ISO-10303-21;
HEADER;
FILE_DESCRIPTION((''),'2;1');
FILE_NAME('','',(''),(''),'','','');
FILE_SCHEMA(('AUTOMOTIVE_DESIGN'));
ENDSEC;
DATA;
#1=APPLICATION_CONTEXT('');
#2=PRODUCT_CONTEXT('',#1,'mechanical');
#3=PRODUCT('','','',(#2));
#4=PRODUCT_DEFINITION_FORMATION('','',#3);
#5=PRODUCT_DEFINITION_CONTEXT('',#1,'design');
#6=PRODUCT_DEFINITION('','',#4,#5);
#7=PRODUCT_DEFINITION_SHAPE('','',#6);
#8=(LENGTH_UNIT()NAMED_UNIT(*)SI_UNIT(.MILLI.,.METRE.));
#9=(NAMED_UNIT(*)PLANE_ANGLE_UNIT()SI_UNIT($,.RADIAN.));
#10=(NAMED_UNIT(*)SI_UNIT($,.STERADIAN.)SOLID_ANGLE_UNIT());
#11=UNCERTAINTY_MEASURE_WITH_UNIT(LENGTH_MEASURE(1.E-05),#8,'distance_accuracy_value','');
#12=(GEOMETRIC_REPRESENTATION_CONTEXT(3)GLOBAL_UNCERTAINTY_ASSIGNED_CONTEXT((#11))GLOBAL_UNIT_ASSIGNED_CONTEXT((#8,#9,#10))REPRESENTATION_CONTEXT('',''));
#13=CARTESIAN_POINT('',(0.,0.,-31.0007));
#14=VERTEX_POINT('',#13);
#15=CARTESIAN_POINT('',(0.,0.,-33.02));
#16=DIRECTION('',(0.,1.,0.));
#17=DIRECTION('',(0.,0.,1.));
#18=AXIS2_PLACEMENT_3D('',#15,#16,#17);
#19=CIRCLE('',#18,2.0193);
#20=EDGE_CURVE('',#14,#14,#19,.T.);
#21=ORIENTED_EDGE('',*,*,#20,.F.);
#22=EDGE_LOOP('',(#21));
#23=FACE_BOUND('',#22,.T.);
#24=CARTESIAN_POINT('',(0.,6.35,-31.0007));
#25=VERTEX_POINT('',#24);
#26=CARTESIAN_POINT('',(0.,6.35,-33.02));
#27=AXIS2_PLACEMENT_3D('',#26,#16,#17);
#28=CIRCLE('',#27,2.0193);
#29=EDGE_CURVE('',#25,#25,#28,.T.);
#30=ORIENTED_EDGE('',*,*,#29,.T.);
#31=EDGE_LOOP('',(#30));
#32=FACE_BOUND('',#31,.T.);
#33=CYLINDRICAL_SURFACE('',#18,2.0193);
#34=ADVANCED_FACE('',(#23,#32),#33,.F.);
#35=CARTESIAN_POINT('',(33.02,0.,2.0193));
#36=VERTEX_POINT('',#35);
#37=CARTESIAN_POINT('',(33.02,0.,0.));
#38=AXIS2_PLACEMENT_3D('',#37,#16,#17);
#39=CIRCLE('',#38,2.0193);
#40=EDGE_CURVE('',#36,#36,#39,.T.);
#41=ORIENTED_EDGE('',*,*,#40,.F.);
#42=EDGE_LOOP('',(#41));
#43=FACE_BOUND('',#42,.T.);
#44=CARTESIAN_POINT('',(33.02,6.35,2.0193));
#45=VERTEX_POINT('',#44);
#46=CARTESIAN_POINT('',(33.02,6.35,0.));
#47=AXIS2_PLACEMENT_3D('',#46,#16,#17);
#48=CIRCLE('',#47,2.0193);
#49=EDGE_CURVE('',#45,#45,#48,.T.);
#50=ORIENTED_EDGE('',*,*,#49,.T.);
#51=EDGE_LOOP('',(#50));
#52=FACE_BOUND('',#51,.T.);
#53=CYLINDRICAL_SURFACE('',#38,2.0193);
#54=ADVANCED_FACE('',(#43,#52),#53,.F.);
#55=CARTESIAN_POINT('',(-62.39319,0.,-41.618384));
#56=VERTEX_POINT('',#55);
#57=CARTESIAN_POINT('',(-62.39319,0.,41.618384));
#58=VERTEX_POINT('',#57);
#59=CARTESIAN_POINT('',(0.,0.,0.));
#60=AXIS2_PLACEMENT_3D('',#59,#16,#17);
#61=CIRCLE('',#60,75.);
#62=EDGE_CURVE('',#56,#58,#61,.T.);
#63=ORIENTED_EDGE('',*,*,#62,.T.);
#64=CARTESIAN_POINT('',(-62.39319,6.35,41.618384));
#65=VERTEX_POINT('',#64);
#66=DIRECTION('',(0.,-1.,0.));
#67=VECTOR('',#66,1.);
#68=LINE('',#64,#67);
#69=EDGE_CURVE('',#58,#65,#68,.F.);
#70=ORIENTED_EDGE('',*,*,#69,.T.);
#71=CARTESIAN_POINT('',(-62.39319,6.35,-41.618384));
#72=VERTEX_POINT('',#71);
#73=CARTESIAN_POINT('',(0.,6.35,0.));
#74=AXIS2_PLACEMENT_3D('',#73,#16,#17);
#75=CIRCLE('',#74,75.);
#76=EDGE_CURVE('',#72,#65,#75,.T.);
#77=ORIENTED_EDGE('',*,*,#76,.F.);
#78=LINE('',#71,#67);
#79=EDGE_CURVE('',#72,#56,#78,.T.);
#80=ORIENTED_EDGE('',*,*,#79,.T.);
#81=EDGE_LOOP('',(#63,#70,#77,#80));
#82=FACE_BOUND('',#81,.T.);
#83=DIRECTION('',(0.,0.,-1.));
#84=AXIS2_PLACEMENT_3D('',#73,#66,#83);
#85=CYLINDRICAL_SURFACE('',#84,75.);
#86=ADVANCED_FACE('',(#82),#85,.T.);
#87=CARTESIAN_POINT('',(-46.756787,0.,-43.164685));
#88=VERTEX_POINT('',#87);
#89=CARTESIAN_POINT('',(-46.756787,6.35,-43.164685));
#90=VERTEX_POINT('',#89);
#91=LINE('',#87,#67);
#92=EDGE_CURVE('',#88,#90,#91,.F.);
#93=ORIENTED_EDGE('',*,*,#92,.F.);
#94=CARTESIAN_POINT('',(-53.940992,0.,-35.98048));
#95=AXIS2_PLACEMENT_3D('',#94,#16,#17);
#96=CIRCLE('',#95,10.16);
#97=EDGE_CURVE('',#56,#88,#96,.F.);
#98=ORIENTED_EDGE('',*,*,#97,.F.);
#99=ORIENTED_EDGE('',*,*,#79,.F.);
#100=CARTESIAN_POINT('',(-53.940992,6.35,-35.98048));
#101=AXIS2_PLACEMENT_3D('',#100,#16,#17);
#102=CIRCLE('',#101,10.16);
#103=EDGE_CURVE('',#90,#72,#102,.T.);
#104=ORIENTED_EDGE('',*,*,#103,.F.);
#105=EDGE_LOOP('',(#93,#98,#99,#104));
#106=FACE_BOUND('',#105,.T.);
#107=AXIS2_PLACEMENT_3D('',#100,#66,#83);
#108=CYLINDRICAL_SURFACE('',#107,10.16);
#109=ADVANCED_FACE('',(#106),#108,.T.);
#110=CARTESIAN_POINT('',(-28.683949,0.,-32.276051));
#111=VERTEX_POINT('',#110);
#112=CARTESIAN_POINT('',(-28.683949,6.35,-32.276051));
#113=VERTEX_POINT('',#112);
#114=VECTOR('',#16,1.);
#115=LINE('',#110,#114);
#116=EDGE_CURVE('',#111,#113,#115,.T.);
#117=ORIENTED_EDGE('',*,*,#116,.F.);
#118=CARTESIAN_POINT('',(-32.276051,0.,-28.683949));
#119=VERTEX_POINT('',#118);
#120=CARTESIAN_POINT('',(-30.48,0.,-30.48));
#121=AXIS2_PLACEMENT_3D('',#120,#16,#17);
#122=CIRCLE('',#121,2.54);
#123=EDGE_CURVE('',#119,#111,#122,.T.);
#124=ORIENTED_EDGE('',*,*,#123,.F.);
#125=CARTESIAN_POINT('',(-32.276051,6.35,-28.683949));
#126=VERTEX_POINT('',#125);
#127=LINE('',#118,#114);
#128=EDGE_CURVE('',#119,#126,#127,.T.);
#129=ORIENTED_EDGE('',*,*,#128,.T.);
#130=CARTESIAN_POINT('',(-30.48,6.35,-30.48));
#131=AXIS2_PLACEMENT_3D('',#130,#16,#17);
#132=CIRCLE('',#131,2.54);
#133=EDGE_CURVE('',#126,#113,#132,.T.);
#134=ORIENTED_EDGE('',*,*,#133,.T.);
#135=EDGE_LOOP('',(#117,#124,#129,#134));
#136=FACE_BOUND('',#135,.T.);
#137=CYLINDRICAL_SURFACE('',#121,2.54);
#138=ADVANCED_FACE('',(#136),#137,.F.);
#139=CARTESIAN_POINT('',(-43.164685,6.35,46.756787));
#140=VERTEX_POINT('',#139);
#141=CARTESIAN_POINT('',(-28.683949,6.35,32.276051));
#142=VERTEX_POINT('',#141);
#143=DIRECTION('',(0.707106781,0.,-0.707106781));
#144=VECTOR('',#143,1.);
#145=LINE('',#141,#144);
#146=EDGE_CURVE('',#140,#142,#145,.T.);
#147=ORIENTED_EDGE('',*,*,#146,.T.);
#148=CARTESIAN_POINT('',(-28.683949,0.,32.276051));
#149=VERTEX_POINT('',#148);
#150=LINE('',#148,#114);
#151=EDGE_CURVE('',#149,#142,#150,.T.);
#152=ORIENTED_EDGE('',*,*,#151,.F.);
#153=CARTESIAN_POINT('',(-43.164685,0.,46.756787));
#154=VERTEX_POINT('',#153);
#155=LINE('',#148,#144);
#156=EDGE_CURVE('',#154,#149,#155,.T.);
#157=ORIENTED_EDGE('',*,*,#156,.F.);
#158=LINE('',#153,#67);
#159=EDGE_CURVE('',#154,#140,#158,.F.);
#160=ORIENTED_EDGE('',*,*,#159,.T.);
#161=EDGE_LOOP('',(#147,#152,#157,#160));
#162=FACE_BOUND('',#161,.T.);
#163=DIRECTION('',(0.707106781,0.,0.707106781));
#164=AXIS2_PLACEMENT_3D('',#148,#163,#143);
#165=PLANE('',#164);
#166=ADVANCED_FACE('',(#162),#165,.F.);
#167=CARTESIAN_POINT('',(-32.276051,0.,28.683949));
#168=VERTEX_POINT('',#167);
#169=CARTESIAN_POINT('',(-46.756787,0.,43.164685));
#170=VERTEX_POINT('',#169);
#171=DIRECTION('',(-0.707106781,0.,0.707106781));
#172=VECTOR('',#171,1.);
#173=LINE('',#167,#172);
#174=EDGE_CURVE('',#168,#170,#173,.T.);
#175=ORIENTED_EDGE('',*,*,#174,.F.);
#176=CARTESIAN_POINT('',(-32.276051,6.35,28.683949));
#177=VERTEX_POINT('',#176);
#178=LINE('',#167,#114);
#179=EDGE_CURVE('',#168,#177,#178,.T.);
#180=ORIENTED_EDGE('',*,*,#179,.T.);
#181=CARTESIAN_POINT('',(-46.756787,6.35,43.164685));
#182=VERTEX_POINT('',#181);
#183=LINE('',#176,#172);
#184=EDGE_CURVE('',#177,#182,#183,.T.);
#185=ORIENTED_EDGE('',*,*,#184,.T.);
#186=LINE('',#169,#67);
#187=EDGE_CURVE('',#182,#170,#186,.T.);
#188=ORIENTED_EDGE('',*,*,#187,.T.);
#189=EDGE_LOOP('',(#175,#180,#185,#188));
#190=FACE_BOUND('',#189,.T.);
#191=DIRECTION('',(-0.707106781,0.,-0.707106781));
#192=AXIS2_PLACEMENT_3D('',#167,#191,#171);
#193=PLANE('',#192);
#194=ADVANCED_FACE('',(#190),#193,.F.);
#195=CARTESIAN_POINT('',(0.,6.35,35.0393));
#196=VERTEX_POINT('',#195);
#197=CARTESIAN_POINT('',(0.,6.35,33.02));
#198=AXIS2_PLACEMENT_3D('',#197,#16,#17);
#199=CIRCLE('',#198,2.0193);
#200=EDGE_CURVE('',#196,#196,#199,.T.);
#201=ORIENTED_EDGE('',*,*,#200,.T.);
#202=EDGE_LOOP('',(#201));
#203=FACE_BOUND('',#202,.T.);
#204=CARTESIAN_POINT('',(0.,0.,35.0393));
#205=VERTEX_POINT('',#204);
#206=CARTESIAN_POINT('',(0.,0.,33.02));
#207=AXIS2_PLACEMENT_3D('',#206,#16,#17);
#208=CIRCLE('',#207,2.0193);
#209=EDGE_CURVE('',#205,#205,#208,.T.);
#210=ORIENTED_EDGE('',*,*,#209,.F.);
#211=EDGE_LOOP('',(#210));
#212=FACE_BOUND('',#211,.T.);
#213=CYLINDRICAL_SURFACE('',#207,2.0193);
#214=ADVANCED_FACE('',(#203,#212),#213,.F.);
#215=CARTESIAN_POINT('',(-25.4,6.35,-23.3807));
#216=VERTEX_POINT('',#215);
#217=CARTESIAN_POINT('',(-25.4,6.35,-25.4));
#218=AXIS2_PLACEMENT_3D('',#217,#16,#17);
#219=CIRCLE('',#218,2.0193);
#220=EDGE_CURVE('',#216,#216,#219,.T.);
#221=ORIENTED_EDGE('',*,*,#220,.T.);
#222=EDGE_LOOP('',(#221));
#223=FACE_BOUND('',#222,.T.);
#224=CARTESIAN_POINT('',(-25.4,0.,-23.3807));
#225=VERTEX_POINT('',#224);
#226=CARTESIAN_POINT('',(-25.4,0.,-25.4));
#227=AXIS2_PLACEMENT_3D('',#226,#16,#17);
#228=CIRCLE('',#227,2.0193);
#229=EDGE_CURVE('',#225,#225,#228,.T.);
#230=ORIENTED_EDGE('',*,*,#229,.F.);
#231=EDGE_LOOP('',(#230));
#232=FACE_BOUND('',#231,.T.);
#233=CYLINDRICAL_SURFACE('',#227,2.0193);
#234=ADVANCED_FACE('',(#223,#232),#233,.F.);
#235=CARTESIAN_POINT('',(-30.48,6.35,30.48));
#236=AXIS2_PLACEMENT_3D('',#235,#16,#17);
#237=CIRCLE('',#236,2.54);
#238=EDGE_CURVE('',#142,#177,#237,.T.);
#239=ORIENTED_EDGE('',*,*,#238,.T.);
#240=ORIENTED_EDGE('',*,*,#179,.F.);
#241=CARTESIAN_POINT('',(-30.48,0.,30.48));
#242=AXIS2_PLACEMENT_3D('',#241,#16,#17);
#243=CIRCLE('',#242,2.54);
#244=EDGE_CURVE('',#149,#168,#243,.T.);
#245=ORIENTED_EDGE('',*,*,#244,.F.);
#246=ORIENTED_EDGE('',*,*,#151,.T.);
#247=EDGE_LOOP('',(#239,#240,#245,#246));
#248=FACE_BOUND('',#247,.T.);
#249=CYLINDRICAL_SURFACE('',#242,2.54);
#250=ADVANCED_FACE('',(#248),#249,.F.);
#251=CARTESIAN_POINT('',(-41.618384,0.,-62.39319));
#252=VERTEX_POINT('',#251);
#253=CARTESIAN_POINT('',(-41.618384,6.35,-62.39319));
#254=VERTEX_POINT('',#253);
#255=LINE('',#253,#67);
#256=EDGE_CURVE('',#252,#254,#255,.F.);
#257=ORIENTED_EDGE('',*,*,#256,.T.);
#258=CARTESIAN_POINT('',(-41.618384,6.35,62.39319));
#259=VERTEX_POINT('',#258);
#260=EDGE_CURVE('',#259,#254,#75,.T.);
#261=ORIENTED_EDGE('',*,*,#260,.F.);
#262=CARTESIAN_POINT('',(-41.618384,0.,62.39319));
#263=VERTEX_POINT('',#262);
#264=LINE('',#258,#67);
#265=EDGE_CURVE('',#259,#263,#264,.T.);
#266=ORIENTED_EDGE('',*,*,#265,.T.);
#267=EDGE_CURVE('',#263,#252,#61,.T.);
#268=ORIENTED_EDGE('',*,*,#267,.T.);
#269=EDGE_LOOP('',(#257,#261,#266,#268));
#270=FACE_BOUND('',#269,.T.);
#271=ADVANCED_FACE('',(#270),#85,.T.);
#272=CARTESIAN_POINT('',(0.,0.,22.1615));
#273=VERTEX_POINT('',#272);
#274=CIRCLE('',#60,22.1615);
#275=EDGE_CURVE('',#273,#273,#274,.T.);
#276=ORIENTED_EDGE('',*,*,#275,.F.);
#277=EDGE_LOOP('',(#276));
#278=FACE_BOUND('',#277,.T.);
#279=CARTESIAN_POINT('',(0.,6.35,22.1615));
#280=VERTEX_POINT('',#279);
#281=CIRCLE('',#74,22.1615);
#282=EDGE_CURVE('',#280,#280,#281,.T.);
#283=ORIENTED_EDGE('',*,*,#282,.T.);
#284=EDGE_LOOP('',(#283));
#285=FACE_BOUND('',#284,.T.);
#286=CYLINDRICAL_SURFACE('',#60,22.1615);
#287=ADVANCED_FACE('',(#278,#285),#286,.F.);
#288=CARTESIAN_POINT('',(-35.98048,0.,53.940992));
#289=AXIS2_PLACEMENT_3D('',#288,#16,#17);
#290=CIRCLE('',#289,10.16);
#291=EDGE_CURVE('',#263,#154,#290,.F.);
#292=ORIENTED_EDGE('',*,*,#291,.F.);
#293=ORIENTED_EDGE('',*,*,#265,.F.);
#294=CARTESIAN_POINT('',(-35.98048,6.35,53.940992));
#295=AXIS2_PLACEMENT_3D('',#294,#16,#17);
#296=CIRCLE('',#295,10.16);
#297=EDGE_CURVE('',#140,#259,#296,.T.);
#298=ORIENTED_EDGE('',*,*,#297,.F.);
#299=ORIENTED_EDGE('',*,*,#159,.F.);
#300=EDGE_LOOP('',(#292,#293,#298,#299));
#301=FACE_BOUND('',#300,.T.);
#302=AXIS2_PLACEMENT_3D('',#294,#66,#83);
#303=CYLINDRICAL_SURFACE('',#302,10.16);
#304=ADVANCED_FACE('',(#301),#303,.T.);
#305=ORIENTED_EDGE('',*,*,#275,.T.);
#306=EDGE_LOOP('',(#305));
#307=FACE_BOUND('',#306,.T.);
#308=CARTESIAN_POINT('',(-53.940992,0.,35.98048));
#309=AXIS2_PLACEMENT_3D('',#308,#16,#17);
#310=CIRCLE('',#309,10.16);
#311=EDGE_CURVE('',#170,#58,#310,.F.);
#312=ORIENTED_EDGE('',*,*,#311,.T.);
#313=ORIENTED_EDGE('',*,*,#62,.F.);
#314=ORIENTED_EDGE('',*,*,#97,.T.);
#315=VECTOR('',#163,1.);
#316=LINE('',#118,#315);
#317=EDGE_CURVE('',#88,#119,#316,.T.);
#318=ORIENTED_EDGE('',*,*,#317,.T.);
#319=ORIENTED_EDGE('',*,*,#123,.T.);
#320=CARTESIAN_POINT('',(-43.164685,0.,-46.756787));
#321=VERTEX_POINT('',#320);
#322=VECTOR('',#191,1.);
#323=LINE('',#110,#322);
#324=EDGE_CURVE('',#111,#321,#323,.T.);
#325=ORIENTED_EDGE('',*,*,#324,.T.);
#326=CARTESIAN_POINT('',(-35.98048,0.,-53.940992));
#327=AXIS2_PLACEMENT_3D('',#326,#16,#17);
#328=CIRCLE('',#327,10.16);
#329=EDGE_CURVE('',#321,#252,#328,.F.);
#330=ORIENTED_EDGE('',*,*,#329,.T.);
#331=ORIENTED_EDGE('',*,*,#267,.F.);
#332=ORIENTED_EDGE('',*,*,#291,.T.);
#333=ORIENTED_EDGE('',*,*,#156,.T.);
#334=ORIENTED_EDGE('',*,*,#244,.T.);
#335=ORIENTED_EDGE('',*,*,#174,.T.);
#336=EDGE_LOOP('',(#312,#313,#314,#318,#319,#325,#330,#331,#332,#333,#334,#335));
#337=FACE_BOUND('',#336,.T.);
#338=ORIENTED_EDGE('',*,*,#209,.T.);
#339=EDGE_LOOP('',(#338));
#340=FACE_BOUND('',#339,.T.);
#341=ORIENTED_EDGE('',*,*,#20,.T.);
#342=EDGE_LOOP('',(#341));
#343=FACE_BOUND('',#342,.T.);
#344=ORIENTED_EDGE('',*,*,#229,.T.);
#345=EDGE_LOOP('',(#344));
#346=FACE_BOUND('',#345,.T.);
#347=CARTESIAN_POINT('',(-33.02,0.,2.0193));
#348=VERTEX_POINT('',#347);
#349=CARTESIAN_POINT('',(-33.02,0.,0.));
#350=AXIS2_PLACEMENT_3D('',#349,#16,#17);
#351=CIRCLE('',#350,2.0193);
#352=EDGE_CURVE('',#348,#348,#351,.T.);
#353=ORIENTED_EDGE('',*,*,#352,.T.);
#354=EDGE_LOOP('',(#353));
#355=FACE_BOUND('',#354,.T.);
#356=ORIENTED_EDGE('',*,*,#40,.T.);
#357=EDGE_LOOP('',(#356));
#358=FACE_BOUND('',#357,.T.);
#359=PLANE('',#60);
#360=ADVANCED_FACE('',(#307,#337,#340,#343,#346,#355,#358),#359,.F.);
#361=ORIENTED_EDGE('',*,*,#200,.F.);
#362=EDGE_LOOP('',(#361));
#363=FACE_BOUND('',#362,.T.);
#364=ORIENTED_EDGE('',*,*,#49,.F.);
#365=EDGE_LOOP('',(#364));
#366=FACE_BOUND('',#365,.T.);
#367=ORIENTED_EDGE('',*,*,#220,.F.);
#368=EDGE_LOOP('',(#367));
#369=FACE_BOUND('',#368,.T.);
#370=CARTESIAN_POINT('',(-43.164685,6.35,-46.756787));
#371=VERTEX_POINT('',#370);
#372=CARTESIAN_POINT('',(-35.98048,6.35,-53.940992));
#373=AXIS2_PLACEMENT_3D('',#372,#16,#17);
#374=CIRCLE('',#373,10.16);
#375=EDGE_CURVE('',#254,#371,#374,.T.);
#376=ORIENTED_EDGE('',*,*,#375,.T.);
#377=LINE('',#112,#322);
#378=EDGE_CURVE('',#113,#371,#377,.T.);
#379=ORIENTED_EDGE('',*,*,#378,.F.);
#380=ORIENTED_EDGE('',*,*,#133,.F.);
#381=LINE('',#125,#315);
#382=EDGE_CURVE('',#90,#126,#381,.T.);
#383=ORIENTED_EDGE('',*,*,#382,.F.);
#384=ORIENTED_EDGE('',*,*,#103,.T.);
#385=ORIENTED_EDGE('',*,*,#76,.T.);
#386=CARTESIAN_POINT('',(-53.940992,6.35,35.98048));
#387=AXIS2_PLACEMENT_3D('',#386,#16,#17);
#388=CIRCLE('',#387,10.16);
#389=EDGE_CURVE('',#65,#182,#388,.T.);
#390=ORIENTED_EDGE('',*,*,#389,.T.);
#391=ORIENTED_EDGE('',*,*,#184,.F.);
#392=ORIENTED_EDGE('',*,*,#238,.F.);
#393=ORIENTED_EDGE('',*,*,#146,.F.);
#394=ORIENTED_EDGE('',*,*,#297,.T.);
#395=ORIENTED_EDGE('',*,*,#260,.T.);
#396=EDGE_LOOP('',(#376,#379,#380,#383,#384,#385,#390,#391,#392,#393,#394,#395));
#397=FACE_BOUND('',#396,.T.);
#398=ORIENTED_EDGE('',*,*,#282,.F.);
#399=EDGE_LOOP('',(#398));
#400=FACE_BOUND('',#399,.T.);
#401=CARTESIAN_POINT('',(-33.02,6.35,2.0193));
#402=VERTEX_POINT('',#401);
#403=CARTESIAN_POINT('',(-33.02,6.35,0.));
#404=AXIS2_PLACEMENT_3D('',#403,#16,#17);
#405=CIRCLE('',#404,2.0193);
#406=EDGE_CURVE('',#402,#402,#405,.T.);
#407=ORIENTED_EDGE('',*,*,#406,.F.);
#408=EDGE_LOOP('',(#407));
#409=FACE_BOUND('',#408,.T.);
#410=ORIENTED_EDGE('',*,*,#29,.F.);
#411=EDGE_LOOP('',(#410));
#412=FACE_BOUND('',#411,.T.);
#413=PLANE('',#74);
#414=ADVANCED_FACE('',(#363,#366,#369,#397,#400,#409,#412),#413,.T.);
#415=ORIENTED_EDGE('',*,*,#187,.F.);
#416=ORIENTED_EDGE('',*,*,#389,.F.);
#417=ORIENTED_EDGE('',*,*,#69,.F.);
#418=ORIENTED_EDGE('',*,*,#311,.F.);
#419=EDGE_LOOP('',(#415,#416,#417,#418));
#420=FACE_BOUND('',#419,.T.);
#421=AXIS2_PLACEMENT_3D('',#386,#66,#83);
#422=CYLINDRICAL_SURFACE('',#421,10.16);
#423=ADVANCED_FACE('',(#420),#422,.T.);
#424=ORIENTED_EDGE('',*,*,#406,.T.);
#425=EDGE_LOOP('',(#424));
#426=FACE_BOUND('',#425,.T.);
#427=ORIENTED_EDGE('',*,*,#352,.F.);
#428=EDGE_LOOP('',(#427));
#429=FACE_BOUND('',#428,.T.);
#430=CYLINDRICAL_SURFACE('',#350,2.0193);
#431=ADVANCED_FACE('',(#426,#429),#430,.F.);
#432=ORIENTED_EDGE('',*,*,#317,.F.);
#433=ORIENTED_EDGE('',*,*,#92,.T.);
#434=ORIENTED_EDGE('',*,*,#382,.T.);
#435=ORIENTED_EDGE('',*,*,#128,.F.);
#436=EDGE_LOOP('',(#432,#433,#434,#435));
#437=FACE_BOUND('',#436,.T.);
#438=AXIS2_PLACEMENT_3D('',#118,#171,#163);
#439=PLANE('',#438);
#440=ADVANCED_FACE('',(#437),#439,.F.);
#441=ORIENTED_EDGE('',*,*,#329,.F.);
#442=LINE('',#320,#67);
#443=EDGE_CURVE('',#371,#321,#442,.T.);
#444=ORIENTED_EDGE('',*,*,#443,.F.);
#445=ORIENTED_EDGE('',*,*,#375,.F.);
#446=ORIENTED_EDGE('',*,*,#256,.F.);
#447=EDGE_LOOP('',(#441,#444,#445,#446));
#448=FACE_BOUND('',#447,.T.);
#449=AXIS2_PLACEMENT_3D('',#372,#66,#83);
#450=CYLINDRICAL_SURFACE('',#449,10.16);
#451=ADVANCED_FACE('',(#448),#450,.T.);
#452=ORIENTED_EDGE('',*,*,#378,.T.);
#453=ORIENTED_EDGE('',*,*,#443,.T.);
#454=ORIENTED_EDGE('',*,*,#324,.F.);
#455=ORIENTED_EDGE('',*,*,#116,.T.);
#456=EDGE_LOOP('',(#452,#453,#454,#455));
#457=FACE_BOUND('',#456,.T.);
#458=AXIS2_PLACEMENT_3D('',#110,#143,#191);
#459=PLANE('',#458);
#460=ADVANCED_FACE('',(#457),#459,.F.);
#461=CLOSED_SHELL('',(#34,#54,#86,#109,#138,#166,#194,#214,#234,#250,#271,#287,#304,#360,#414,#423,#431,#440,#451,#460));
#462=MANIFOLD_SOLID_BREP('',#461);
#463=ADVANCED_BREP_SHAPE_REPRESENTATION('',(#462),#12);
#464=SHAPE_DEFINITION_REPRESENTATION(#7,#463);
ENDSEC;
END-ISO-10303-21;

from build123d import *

# Parameters (mm, degrees)
SKETCH1_R           = 75
BOSS_EXTRUDE1_DEPTH = 6.35
SKETCH45_R          = 22.1615
SKETCH45_R_2        = 2.0193
CUT_EXTRUDE36_DEPTH = 107.255929246
FILLET2_R           = 10.16


with BuildPart() as part:
    # Sketch1 → Boss-Extrude1 (new body)
    with BuildSketch(Plane(origin=(0, 0, 0), x_dir=(1, 0, 0), z_dir=(0, 1, 0))):
        with Locations(Location((0, 0, 0), (0, 0, 270))):
            Circle(SKETCH1_R)
    extrude(amount=BOSS_EXTRUDE1_DEPTH)

    # Sketch45 → Cut-Extrude36 (cut, through all)
    with BuildSketch(Plane(origin=(0, 6.35, 0), x_dir=(1, 0, 0), z_dir=(0, 1, 0))):
        with Locations(Location((0, 0, 0), (0, 0, 270))):
            Circle(SKETCH45_R)
        with Locations(Location((0, 33.02, 0), (0, 0, 270))):
            Circle(SKETCH45_R_2)
        with Locations(Location((-33.02, 0, 0), (0, 0, 270))):
            Circle(SKETCH45_R_2)
        with Locations(Location((0, -33.02, 0), (0, 0, 270))):
            Circle(SKETCH45_R_2)
        with Locations(Location((33.02, 0, 0), (0, 0, 270))):
            Circle(SKETCH45_R_2)
        with Locations(Location((-25.4, 25.4, 0), (0, 0, 270))):
            Circle(SKETCH45_R_2)
        with BuildLine():
            Line((-32.276051224, 28.683948776), (-54.798637954, 51.206535505))
            ThreePointArc((-54.798637954, 51.206535505), (-54.798637954, 54.798637954), (-51.206535505, 54.798637954))
            Line((-51.206535505, 54.798637954), (-28.683948776, 32.276051224))
            ThreePointArc((-28.683948776, 32.276051224), (-28.683948776, 28.683948776), (-32.276051224, 28.683948776))
        make_face()
        with BuildLine():
            Line((-28.683948776, -32.276051224), (-51.206535505, -54.798637954))
            ThreePointArc((-51.206535505, -54.798637954), (-54.798637954, -54.798637954), (-54.798637954, -51.206535505))
            Line((-54.798637954, -51.206535505), (-32.276051224, -28.683948776))
            ThreePointArc((-32.276051224, -28.683948776), (-28.683948776, -28.683948776), (-28.683948776, -32.276051224))
        make_face()
    extrude(amount=-CUT_EXTRUDE36_DEPTH, mode=Mode.SUBTRACT)

    # Fillet2
    fillet2_edges = [part.edges().sort_by_distance(p)[0] for p in [
        (-51.206535505, 3.175, 54.798637954),
        (-54.798637954, 3.175, 51.206535505),
        (-54.798637954, 3.175, -51.206535505),
        (-51.206535505, 3.175, -54.798637954),
    ]]
    fillet(fillet2_edges, radius=FILLET2_R)


solid = part.part
